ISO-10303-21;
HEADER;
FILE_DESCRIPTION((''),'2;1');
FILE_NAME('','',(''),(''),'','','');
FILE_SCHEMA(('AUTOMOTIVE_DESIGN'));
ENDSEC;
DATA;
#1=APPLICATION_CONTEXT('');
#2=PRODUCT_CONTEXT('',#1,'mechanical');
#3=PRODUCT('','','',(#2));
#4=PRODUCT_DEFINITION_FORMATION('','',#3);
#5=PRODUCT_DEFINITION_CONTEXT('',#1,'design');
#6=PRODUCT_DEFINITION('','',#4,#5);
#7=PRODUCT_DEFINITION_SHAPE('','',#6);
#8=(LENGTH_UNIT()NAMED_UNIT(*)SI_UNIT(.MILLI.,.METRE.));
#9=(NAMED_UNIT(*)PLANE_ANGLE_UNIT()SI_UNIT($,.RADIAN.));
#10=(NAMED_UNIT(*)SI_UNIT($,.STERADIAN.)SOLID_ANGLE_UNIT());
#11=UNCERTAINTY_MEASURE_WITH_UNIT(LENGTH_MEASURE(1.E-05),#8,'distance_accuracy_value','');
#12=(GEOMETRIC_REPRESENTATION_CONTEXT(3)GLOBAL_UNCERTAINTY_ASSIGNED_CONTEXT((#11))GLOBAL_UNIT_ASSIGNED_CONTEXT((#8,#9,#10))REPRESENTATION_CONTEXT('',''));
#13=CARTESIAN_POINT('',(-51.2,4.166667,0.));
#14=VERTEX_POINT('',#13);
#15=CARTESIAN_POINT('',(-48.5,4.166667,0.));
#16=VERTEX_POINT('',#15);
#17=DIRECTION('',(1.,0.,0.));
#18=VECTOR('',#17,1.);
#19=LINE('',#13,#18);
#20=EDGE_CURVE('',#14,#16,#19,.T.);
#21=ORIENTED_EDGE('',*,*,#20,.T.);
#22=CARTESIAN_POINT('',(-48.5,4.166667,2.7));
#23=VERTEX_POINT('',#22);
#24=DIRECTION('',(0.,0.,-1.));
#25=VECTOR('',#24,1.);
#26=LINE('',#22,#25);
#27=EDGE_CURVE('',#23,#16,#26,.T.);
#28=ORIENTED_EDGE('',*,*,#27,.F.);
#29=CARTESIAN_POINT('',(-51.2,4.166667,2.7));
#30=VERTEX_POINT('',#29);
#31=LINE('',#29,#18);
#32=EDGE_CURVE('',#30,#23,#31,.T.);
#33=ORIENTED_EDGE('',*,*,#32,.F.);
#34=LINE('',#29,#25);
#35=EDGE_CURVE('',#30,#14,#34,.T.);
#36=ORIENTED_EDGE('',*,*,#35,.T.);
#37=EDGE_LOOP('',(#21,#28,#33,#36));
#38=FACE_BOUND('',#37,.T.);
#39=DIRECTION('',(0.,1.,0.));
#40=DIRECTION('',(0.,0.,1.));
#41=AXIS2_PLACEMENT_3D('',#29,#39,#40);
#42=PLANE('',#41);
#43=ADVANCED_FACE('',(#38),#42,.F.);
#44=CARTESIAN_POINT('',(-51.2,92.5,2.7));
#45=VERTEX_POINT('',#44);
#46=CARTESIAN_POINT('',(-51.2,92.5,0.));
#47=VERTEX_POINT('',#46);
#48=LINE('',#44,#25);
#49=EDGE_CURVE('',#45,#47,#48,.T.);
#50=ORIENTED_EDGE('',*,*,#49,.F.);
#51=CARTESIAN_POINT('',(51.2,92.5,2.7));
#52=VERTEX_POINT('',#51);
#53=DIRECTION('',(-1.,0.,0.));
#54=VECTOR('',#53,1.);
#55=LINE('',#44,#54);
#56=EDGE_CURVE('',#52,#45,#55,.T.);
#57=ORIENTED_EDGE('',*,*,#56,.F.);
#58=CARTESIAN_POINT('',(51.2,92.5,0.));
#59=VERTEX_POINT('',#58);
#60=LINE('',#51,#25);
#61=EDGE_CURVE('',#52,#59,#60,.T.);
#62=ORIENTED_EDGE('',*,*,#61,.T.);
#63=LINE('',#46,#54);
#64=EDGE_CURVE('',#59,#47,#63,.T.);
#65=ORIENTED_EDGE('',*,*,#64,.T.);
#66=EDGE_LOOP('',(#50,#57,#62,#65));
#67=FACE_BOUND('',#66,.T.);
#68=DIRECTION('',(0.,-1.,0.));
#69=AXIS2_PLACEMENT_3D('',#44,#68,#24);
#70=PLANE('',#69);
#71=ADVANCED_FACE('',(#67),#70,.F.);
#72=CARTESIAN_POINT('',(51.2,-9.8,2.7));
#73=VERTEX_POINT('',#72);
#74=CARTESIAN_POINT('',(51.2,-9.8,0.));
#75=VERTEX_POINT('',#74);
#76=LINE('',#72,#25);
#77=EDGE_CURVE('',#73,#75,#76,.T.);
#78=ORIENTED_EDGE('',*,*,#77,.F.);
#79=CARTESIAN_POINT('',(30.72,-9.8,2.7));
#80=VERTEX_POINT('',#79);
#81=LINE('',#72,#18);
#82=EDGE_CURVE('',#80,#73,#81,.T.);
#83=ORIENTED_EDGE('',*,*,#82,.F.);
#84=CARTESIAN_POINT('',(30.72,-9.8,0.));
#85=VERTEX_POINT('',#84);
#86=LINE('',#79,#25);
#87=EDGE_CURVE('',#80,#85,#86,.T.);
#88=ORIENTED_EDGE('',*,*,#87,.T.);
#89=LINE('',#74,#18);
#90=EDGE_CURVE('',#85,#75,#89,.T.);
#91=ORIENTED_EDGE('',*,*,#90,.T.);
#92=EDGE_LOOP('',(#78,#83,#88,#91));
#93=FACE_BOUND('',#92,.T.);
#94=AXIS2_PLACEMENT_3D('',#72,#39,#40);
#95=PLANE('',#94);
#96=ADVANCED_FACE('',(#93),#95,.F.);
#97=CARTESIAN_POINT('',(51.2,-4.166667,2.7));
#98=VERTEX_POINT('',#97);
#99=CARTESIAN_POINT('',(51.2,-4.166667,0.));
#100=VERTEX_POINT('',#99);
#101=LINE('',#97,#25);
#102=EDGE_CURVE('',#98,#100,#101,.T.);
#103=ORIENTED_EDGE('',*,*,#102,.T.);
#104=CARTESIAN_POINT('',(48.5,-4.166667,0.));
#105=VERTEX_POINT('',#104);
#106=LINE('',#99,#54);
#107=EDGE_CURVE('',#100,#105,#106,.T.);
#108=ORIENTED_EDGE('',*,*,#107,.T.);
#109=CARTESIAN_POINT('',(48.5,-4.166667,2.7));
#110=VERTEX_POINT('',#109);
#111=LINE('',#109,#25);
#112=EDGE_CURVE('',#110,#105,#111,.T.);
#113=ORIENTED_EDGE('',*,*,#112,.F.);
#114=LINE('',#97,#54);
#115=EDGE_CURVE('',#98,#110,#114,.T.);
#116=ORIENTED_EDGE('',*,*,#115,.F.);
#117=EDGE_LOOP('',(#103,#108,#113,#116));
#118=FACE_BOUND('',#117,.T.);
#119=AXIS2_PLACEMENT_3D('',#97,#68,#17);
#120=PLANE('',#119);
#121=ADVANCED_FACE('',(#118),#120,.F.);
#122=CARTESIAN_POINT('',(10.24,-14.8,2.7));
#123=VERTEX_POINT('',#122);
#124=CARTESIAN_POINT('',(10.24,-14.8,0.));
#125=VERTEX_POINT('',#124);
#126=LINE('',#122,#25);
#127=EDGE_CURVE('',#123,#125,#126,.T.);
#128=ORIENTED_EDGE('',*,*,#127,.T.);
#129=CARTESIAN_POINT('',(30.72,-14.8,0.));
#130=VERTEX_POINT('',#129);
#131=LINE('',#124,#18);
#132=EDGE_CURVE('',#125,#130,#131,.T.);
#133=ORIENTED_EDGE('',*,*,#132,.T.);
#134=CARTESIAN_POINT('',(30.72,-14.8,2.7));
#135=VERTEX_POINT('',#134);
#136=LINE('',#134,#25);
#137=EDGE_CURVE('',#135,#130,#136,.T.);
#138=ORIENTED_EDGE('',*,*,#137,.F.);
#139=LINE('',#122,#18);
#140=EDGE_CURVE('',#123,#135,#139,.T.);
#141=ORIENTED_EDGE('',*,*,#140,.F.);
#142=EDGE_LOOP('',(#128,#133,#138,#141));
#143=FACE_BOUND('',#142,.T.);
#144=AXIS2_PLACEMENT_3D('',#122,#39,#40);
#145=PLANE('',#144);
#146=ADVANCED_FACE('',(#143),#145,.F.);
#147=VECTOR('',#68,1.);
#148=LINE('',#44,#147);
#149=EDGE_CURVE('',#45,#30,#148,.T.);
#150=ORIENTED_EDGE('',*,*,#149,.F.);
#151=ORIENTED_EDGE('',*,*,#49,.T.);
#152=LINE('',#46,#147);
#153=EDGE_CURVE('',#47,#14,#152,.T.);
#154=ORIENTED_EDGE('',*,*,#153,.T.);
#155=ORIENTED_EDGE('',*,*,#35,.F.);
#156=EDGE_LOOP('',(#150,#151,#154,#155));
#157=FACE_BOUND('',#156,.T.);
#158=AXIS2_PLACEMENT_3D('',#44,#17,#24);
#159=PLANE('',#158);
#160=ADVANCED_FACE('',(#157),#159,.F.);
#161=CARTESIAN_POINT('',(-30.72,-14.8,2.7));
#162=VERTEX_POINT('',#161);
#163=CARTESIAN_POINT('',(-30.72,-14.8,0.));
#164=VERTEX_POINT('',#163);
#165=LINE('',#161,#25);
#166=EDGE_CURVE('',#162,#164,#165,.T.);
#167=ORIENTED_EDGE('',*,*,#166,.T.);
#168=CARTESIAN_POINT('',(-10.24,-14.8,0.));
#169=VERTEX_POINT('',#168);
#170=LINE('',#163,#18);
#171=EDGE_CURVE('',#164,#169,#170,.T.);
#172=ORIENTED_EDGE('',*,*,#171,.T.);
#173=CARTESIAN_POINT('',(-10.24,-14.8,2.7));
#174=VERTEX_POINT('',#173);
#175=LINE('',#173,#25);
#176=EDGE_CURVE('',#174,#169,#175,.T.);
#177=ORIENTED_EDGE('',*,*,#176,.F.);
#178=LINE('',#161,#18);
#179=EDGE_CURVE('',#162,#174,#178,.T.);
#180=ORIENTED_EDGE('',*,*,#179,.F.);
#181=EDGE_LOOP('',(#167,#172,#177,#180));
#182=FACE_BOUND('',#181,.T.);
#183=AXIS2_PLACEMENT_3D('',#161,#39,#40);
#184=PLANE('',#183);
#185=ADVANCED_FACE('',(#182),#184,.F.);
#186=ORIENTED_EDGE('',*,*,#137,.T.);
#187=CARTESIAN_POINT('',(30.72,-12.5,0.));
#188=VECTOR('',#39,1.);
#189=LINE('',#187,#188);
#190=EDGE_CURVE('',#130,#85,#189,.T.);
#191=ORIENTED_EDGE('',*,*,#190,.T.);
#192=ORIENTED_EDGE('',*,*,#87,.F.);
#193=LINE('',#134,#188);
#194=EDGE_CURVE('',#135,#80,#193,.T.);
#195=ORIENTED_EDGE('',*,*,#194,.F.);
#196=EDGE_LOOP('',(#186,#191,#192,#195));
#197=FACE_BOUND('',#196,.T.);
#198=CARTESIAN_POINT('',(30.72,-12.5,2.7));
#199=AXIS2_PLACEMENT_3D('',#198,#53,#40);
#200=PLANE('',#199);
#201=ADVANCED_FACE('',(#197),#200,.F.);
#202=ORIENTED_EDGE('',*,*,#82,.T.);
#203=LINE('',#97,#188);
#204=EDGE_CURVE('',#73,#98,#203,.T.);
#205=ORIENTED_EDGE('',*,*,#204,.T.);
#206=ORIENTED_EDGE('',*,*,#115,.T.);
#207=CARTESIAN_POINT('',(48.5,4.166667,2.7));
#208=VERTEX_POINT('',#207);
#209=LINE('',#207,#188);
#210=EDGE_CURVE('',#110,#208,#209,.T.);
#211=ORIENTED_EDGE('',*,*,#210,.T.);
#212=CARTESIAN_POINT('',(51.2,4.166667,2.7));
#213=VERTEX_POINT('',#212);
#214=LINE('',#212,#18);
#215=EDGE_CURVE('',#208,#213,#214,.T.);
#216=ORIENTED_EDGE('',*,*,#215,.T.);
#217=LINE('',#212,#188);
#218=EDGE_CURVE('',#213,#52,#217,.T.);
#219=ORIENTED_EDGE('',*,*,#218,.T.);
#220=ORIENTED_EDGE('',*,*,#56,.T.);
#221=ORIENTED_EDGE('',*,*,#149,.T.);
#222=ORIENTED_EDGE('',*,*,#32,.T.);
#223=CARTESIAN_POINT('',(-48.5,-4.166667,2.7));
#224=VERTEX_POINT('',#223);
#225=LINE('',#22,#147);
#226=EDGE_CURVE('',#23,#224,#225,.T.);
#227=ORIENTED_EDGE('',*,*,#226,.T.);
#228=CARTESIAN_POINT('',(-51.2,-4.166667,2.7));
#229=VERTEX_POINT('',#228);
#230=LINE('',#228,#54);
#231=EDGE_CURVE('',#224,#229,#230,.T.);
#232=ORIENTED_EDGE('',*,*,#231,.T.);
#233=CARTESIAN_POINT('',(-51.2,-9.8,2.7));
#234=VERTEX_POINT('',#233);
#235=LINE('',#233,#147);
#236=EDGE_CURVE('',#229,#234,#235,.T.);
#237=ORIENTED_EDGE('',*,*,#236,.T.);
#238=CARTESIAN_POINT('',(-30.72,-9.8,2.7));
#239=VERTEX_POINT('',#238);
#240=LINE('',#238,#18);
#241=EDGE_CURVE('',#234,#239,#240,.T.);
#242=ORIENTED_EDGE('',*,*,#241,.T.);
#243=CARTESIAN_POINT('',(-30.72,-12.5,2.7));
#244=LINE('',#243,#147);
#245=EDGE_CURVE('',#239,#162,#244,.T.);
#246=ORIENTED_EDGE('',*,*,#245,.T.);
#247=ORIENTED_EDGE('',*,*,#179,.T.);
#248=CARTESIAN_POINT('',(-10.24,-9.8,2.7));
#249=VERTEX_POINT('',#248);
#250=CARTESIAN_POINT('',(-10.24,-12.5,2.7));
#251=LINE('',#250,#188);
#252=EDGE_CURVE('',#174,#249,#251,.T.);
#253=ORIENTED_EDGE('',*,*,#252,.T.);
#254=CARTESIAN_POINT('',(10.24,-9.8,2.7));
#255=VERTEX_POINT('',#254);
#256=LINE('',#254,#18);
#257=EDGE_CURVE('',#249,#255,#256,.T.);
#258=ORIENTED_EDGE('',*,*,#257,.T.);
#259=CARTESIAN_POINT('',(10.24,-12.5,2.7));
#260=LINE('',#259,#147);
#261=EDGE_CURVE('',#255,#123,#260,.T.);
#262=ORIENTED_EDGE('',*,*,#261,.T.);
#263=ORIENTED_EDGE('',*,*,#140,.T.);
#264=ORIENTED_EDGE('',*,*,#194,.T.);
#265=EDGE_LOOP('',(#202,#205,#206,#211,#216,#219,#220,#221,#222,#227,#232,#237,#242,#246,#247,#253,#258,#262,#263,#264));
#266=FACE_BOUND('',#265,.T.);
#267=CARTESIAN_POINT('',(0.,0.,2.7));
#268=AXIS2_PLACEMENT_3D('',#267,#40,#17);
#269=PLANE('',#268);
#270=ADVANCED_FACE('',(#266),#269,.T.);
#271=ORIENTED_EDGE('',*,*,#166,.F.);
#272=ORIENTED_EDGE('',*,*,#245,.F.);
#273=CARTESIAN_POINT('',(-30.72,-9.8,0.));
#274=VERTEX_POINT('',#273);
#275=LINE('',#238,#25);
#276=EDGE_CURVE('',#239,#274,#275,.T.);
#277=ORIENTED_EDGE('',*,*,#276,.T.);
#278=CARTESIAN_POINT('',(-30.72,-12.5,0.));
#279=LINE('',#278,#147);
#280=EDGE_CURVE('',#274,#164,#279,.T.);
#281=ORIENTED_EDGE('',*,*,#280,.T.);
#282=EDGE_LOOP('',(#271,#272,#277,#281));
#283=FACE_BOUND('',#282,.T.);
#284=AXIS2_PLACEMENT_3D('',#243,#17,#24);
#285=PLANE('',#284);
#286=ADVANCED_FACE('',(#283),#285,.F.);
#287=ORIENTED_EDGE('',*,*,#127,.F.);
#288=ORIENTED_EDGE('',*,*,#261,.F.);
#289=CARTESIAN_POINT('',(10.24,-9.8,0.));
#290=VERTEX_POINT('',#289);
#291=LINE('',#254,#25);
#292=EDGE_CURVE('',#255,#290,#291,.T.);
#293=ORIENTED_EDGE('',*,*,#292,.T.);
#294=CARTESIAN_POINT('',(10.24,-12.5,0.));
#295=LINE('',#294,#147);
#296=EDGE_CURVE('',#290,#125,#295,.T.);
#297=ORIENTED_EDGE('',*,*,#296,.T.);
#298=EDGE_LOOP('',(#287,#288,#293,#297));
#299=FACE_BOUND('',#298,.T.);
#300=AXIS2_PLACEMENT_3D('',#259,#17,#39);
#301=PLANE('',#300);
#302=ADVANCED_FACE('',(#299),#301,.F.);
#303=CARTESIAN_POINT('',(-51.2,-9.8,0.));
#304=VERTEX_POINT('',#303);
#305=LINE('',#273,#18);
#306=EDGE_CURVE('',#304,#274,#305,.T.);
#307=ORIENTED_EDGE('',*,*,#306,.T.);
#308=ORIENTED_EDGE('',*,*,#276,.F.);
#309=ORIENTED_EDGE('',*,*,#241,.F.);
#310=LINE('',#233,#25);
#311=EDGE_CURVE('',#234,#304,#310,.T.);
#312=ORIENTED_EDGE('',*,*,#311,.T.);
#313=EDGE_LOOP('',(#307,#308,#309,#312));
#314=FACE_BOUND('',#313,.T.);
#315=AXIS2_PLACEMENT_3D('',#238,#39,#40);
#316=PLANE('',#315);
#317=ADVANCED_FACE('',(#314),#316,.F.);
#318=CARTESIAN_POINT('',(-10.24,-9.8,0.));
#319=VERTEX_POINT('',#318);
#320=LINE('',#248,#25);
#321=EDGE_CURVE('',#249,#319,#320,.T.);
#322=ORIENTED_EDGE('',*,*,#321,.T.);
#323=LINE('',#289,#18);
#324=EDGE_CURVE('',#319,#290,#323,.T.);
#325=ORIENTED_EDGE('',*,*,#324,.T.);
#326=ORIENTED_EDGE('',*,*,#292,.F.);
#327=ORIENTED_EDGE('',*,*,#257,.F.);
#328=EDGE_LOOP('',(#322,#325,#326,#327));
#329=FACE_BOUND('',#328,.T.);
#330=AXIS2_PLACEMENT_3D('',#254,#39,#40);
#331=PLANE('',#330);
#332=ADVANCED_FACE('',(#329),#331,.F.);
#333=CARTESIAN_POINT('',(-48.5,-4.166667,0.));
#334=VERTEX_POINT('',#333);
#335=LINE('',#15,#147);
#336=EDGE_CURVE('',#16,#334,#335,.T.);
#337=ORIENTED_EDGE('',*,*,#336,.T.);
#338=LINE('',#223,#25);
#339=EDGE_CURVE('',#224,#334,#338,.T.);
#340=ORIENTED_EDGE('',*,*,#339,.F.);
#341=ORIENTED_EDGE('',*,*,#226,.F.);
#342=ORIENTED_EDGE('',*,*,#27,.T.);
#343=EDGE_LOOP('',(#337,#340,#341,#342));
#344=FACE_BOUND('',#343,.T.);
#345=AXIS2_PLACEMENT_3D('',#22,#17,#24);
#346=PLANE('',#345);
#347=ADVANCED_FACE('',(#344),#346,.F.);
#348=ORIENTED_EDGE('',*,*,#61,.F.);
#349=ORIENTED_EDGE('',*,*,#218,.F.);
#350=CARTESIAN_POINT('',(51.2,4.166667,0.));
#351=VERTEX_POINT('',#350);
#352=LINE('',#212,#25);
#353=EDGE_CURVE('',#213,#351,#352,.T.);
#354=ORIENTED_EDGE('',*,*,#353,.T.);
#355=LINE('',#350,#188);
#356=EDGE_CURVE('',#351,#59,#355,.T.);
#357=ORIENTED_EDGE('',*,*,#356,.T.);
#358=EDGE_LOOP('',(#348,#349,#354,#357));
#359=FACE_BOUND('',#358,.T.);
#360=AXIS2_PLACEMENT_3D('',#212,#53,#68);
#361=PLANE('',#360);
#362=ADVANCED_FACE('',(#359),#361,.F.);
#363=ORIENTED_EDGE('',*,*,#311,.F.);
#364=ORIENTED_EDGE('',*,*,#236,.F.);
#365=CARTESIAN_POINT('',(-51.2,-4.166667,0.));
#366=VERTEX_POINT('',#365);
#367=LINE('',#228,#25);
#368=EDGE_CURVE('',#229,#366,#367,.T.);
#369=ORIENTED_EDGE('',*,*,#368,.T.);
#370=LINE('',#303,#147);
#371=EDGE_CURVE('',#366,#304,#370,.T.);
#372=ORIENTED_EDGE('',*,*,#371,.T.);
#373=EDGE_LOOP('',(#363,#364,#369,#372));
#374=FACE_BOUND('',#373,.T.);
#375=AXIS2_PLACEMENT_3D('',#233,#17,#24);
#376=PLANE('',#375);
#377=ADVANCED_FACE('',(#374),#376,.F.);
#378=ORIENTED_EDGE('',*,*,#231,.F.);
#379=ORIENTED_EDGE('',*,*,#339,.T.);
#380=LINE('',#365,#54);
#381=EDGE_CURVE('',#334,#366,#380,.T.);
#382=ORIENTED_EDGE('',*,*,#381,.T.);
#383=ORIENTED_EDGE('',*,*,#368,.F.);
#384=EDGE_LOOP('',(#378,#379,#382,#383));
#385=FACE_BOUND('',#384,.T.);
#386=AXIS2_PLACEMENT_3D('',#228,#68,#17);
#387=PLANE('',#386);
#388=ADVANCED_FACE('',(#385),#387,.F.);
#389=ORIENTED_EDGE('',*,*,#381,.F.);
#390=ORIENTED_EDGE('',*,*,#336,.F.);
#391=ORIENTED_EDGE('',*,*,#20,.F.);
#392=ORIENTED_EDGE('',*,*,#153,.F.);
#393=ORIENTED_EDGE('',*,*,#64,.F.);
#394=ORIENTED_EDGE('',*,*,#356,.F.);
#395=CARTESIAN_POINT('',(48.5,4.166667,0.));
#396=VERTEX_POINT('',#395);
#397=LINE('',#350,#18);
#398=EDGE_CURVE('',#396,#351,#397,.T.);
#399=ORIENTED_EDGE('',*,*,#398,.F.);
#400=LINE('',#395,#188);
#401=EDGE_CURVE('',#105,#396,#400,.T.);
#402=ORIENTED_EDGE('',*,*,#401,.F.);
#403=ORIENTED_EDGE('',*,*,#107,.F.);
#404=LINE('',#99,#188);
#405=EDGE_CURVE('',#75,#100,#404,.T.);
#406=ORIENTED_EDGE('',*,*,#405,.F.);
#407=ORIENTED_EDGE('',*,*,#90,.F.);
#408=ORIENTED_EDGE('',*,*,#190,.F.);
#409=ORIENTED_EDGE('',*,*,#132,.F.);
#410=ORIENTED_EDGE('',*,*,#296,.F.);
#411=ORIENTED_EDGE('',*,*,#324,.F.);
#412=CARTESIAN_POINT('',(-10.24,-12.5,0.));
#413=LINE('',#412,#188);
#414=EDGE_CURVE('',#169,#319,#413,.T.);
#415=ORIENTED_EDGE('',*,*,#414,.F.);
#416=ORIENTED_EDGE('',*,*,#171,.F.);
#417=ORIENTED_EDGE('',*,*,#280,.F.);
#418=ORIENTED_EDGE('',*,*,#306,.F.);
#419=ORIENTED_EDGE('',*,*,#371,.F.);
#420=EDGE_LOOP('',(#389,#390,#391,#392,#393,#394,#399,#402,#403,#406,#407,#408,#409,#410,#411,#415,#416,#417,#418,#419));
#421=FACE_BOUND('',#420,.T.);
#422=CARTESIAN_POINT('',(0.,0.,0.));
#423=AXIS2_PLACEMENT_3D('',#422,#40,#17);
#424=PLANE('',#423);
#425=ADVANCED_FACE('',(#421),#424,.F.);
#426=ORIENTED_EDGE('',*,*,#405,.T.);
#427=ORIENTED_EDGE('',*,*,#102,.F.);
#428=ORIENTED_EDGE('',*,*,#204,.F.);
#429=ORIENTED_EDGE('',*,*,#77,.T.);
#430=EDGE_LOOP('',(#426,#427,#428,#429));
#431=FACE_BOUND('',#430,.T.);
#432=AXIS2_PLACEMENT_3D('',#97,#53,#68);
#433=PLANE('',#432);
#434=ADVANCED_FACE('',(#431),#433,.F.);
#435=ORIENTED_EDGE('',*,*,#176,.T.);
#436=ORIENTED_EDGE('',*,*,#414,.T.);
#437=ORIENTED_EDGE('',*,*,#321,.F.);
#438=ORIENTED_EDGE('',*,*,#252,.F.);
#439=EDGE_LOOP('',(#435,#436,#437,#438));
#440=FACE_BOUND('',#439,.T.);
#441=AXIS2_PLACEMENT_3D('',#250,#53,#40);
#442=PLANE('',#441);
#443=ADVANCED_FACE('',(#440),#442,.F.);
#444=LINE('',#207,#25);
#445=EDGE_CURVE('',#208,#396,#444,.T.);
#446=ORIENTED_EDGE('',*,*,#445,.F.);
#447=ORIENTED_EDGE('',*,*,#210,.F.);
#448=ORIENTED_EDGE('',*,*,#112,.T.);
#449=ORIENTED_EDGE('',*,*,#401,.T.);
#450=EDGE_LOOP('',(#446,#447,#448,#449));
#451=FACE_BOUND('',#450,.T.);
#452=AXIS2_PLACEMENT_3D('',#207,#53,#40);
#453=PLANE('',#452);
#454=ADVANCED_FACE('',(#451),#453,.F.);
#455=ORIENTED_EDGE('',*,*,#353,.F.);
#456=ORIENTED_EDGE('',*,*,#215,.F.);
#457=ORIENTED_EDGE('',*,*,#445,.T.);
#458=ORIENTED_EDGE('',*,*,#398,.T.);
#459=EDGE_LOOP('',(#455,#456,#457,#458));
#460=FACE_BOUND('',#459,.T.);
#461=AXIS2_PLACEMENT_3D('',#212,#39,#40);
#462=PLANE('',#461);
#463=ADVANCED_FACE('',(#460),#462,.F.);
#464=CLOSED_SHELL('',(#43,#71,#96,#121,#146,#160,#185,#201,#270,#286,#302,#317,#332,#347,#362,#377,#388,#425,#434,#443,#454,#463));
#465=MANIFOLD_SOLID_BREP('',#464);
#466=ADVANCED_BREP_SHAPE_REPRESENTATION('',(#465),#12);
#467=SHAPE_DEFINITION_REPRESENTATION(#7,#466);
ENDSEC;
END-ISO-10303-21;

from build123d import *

# Parameters (mm, degrees)
BOSS_EXTRUDE1_DEPTH = 2.7


with BuildPart() as part:
    # Sketch1 → Boss-Extrude1 (new body)
    with BuildSketch(Plane.XY):
        Polygon((-51.2, -9.8), (-51.2, -4.166666667), (-48.5, -4.166666667), (-48.5, 4.166666667), (-51.2, 4.166666667), (-51.2, 92.5), (51.2, 92.5), (51.2, 4.166666667), (48.5, 4.166666667), (48.5, -4.166666667), (51.2, -4.166666667), (51.2, -9.8), (30.72, -9.8), (30.72, -12.5), (30.72, -14.8), (10.24, -14.8), (10.24, -12.5), (10.24, -9.8), (-10.24, -9.8), (-10.24, -12.5), (-10.24, -14.8), (-30.72, -14.8), (-30.72, -12.5), (-30.72, -9.8), align=None)
    extrude(amount=BOSS_EXTRUDE1_DEPTH)


solid = part.part
